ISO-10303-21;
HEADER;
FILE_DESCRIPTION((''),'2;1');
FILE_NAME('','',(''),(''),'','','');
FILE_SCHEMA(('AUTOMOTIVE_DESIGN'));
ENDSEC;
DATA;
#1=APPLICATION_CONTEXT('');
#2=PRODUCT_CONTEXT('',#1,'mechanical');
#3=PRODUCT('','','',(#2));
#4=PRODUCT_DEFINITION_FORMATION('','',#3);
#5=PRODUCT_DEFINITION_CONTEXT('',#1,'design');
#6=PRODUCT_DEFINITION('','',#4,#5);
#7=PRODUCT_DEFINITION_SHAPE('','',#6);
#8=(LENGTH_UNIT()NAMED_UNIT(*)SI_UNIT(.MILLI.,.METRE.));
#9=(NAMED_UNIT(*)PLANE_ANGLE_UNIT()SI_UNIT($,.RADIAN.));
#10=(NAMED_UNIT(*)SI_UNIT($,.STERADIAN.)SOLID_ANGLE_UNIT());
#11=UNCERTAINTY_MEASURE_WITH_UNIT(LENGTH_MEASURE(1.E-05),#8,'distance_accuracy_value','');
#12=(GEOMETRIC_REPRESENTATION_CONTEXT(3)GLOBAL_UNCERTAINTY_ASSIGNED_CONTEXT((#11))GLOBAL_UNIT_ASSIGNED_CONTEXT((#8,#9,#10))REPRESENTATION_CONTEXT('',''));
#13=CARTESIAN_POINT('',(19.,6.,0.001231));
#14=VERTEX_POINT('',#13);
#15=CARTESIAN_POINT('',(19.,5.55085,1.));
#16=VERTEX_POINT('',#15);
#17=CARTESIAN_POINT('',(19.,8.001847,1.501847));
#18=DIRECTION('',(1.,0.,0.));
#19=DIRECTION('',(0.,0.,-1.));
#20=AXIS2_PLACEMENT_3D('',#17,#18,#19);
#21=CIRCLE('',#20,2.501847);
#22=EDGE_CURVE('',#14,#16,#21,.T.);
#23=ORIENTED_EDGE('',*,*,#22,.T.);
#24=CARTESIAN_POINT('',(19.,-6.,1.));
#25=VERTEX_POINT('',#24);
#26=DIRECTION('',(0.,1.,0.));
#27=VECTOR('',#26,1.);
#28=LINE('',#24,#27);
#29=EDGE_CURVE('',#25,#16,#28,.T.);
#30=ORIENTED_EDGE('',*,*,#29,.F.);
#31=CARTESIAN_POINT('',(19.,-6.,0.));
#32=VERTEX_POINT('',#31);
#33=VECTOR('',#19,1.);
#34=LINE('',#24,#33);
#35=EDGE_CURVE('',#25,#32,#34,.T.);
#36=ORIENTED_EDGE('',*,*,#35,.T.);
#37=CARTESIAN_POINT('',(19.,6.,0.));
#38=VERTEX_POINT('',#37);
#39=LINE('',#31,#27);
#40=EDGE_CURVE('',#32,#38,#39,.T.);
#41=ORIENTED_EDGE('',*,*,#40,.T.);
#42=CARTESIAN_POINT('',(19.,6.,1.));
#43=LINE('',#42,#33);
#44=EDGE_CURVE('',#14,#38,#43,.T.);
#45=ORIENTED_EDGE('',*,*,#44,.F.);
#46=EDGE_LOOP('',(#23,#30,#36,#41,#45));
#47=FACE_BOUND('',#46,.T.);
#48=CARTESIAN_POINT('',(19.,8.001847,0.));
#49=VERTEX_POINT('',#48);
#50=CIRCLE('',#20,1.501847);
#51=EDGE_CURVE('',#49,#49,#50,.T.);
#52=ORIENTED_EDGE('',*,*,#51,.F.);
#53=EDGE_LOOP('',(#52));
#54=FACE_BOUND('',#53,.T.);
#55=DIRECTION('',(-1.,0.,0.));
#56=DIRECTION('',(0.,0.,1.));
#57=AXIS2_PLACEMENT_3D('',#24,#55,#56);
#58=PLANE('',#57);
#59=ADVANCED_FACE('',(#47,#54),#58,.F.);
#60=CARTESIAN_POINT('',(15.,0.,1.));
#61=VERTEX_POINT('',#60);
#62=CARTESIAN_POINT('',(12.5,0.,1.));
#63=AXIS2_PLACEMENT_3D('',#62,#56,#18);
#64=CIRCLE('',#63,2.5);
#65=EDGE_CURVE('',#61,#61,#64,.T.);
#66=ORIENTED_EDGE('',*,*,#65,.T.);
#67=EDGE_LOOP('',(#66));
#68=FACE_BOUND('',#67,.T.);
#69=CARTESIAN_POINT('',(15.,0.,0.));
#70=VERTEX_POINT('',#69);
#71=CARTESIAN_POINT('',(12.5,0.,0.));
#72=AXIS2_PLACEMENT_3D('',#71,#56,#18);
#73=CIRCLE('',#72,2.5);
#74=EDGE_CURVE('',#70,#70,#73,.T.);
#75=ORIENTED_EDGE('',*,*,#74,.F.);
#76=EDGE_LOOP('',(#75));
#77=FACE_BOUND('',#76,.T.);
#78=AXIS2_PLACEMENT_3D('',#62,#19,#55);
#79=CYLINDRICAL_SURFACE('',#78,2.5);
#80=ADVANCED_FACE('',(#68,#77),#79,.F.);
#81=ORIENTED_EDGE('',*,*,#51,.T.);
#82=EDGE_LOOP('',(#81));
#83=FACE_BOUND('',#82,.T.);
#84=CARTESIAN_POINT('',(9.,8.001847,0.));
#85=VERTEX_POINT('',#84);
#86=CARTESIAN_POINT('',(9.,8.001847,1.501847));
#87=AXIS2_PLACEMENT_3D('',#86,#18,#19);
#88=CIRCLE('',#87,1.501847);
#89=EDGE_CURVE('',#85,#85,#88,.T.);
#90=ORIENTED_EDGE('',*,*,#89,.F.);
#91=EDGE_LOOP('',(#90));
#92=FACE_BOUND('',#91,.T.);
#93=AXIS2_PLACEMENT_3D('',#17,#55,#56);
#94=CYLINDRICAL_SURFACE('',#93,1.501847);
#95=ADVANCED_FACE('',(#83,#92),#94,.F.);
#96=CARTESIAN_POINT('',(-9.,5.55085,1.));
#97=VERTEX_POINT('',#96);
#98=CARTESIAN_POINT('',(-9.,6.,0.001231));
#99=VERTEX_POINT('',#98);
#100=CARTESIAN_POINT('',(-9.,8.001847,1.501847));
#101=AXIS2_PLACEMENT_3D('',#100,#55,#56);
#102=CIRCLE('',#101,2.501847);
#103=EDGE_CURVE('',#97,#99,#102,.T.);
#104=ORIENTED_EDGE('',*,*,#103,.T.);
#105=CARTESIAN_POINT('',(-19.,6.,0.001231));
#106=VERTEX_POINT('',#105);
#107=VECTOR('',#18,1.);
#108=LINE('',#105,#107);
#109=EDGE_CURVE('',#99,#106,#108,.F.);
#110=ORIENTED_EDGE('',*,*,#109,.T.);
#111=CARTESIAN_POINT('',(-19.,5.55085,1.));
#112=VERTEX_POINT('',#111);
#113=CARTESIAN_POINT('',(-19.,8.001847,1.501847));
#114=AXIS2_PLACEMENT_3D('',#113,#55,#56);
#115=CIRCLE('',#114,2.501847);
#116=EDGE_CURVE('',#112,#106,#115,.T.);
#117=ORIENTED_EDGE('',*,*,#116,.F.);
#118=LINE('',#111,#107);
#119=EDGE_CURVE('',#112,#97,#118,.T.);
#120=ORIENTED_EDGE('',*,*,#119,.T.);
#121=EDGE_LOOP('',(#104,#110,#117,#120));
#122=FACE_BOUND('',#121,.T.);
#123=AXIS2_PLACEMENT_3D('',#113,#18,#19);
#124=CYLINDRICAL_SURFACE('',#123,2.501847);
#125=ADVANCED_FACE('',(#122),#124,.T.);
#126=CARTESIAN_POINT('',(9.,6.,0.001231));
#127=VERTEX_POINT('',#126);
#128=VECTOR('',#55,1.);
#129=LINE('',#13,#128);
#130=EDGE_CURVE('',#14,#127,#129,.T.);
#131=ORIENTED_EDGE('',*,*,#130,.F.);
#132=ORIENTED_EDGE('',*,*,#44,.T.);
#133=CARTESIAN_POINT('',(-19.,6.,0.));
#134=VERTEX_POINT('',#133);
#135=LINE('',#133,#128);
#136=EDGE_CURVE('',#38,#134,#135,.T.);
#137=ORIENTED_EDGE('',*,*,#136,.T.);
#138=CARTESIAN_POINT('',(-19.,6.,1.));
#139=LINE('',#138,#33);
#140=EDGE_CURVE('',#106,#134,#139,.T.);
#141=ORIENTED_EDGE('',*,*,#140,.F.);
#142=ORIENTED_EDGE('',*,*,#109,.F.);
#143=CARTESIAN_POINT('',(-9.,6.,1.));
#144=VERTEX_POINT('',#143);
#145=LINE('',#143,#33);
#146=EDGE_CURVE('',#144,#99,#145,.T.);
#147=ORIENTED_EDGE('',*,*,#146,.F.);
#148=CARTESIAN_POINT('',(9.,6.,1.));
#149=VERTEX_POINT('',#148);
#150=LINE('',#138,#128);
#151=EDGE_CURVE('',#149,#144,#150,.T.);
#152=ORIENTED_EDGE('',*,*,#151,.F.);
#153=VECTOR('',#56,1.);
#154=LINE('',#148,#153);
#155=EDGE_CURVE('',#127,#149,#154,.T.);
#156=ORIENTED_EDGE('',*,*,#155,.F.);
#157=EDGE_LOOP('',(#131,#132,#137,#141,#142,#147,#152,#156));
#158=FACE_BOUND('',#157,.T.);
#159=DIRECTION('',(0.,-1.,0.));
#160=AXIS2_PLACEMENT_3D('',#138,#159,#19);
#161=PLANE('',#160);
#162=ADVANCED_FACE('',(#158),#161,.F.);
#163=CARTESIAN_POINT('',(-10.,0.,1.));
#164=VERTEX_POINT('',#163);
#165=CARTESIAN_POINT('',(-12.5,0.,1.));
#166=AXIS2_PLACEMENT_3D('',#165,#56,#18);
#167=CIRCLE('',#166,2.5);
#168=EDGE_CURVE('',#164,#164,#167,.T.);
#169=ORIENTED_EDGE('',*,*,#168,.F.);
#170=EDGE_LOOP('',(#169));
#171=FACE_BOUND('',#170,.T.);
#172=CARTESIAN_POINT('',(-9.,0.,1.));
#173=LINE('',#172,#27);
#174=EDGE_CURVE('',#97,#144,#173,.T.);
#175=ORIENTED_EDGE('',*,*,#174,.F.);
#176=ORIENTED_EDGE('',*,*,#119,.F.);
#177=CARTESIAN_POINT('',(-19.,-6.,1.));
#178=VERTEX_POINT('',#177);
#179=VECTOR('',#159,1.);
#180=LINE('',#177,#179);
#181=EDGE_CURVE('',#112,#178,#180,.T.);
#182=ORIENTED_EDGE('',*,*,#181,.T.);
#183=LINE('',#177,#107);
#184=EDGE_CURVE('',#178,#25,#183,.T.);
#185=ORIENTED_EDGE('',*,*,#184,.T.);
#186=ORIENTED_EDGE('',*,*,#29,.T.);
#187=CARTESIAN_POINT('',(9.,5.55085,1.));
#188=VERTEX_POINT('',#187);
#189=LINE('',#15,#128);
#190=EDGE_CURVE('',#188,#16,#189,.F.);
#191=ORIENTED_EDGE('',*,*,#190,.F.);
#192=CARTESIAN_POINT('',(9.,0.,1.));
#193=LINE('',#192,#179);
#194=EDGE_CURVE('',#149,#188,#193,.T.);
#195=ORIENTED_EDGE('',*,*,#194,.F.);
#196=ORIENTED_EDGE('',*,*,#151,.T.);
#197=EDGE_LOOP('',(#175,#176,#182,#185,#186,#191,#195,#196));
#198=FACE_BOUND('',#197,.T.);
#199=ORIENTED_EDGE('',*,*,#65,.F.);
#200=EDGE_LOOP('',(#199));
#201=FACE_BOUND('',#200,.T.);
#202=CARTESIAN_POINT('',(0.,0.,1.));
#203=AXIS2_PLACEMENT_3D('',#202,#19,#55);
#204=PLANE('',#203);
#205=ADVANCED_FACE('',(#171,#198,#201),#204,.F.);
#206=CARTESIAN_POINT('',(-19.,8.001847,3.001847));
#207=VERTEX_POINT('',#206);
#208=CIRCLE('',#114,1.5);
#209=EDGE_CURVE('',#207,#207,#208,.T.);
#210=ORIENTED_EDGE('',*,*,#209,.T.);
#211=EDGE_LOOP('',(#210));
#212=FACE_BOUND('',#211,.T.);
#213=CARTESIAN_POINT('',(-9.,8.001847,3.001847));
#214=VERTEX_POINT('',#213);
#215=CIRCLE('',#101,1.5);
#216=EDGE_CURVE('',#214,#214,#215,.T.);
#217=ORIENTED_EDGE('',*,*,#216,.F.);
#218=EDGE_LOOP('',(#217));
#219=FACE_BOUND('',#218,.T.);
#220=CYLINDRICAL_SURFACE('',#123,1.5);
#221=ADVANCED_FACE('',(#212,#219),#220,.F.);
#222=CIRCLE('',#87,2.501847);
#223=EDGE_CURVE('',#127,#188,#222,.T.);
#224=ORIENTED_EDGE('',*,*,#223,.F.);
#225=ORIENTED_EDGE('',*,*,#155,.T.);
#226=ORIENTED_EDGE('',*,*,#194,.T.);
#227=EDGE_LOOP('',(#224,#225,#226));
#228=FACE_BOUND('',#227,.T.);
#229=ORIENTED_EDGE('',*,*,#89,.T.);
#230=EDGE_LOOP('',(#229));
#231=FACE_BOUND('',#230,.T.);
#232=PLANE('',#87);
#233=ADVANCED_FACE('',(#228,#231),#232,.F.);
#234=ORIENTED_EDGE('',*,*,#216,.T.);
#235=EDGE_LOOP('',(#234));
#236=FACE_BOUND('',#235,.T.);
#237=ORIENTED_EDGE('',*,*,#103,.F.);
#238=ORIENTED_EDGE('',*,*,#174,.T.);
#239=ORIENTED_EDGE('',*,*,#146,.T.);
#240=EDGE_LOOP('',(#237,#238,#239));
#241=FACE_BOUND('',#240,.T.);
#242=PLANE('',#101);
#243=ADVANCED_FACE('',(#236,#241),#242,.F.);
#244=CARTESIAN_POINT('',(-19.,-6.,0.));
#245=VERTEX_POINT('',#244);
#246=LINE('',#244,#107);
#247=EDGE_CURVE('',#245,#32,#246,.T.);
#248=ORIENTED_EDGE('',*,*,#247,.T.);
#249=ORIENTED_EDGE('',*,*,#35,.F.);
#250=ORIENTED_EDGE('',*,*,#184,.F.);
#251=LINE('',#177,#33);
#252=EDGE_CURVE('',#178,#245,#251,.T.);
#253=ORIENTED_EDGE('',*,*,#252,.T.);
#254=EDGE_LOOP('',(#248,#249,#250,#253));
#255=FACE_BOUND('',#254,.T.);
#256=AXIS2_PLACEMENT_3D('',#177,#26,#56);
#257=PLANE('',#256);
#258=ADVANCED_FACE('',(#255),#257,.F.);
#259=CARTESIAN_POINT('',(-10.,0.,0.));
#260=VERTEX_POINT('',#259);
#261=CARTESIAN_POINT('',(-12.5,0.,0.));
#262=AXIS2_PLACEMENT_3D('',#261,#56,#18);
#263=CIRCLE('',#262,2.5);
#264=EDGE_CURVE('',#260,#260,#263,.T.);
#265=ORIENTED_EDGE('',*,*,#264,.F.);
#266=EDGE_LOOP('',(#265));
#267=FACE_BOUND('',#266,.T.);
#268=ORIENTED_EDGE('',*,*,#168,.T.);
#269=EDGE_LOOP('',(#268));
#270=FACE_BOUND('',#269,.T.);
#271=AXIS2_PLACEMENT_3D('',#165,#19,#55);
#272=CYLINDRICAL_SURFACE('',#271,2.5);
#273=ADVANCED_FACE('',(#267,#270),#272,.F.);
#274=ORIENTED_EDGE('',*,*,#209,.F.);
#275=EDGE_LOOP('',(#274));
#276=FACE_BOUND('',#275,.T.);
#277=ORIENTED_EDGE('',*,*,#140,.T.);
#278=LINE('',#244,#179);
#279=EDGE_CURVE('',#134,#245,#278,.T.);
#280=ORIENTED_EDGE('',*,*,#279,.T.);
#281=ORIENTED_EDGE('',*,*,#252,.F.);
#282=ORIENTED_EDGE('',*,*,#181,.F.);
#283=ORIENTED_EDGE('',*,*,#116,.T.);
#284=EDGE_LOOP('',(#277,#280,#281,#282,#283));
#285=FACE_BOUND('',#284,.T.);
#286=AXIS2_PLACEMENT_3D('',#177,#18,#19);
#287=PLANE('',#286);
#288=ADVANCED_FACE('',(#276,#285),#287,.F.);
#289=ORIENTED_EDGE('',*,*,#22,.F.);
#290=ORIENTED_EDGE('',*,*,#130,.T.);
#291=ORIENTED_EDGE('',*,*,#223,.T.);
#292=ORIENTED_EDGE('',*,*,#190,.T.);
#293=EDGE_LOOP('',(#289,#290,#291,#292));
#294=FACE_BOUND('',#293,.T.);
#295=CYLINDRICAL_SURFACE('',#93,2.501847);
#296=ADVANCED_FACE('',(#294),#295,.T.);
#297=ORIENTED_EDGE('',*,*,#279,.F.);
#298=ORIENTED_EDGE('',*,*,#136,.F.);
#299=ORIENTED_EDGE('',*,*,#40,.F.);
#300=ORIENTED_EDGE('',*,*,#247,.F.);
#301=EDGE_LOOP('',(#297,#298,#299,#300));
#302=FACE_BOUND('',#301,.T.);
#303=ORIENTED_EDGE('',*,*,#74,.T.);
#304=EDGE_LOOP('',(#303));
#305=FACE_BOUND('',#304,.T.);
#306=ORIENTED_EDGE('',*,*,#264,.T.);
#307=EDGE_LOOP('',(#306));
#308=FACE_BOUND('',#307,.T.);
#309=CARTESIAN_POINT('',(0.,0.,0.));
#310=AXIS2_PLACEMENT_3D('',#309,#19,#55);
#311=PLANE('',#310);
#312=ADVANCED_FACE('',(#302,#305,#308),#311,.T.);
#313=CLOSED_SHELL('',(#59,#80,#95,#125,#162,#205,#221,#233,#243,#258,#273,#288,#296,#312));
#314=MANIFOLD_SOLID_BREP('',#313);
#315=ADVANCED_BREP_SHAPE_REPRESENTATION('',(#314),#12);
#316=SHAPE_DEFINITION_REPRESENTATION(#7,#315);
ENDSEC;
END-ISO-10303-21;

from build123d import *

# Parameters (mm, degrees)
SKETCH_1_W      = 38
SKETCH_1_H      = 12
SKETCH_1_R      = 2.5
EXTRUDE_1_DEPTH = 1
SKETCH_3_R      = 2.50184692
SKETCH_3_R_2    = 1.5
EXTRUDE_4_DEPTH = 10
EXTRUDE_START   = 10
SKETCH_4_R      = 2.50184692
SKETCH_4_R_2    = 1.50184692
EXTRUDE_5_DEPTH = 10


with BuildPart() as part:
    # 草图1 → 凸台-拉伸1 (new body)
    with BuildSketch(Plane.XY):
        Rectangle(SKETCH_1_W, SKETCH_1_H)
        with Locations((12.5, 0)):
            Circle(SKETCH_1_R, mode=Mode.SUBTRACT)
        with Locations((-12.5, 0)):
            Circle(SKETCH_1_R, mode=Mode.SUBTRACT)
    extrude(amount=EXTRUDE_1_DEPTH)

    # 草图3 → 凸台-拉伸4 (add)
    with BuildSketch(Plane.ZY.offset(9)):
        with Locations((1.50184692, 8.00184692)):
            Circle(SKETCH_3_R)
        with Locations((1.50184692, 8.00184692)):
            Circle(SKETCH_3_R_2, mode=Mode.SUBTRACT)
    extrude(amount=EXTRUDE_4_DEPTH)

    # 草图4 → 凸台-拉伸5 (add)
    with BuildSketch(Plane(origin=(9, 0, 0), x_dir=(0, 0, -1), z_dir=(1, 0, 0)).offset(EXTRUDE_START)):
        with Locations((-1.50184692, 8.00184692)):
            Circle(SKETCH_4_R)
        with Locations((-1.50184692, 8.00184692)):
            Circle(SKETCH_4_R_2, mode=Mode.SUBTRACT)
    extrude(amount=-EXTRUDE_5_DEPTH)


solid = part.part
